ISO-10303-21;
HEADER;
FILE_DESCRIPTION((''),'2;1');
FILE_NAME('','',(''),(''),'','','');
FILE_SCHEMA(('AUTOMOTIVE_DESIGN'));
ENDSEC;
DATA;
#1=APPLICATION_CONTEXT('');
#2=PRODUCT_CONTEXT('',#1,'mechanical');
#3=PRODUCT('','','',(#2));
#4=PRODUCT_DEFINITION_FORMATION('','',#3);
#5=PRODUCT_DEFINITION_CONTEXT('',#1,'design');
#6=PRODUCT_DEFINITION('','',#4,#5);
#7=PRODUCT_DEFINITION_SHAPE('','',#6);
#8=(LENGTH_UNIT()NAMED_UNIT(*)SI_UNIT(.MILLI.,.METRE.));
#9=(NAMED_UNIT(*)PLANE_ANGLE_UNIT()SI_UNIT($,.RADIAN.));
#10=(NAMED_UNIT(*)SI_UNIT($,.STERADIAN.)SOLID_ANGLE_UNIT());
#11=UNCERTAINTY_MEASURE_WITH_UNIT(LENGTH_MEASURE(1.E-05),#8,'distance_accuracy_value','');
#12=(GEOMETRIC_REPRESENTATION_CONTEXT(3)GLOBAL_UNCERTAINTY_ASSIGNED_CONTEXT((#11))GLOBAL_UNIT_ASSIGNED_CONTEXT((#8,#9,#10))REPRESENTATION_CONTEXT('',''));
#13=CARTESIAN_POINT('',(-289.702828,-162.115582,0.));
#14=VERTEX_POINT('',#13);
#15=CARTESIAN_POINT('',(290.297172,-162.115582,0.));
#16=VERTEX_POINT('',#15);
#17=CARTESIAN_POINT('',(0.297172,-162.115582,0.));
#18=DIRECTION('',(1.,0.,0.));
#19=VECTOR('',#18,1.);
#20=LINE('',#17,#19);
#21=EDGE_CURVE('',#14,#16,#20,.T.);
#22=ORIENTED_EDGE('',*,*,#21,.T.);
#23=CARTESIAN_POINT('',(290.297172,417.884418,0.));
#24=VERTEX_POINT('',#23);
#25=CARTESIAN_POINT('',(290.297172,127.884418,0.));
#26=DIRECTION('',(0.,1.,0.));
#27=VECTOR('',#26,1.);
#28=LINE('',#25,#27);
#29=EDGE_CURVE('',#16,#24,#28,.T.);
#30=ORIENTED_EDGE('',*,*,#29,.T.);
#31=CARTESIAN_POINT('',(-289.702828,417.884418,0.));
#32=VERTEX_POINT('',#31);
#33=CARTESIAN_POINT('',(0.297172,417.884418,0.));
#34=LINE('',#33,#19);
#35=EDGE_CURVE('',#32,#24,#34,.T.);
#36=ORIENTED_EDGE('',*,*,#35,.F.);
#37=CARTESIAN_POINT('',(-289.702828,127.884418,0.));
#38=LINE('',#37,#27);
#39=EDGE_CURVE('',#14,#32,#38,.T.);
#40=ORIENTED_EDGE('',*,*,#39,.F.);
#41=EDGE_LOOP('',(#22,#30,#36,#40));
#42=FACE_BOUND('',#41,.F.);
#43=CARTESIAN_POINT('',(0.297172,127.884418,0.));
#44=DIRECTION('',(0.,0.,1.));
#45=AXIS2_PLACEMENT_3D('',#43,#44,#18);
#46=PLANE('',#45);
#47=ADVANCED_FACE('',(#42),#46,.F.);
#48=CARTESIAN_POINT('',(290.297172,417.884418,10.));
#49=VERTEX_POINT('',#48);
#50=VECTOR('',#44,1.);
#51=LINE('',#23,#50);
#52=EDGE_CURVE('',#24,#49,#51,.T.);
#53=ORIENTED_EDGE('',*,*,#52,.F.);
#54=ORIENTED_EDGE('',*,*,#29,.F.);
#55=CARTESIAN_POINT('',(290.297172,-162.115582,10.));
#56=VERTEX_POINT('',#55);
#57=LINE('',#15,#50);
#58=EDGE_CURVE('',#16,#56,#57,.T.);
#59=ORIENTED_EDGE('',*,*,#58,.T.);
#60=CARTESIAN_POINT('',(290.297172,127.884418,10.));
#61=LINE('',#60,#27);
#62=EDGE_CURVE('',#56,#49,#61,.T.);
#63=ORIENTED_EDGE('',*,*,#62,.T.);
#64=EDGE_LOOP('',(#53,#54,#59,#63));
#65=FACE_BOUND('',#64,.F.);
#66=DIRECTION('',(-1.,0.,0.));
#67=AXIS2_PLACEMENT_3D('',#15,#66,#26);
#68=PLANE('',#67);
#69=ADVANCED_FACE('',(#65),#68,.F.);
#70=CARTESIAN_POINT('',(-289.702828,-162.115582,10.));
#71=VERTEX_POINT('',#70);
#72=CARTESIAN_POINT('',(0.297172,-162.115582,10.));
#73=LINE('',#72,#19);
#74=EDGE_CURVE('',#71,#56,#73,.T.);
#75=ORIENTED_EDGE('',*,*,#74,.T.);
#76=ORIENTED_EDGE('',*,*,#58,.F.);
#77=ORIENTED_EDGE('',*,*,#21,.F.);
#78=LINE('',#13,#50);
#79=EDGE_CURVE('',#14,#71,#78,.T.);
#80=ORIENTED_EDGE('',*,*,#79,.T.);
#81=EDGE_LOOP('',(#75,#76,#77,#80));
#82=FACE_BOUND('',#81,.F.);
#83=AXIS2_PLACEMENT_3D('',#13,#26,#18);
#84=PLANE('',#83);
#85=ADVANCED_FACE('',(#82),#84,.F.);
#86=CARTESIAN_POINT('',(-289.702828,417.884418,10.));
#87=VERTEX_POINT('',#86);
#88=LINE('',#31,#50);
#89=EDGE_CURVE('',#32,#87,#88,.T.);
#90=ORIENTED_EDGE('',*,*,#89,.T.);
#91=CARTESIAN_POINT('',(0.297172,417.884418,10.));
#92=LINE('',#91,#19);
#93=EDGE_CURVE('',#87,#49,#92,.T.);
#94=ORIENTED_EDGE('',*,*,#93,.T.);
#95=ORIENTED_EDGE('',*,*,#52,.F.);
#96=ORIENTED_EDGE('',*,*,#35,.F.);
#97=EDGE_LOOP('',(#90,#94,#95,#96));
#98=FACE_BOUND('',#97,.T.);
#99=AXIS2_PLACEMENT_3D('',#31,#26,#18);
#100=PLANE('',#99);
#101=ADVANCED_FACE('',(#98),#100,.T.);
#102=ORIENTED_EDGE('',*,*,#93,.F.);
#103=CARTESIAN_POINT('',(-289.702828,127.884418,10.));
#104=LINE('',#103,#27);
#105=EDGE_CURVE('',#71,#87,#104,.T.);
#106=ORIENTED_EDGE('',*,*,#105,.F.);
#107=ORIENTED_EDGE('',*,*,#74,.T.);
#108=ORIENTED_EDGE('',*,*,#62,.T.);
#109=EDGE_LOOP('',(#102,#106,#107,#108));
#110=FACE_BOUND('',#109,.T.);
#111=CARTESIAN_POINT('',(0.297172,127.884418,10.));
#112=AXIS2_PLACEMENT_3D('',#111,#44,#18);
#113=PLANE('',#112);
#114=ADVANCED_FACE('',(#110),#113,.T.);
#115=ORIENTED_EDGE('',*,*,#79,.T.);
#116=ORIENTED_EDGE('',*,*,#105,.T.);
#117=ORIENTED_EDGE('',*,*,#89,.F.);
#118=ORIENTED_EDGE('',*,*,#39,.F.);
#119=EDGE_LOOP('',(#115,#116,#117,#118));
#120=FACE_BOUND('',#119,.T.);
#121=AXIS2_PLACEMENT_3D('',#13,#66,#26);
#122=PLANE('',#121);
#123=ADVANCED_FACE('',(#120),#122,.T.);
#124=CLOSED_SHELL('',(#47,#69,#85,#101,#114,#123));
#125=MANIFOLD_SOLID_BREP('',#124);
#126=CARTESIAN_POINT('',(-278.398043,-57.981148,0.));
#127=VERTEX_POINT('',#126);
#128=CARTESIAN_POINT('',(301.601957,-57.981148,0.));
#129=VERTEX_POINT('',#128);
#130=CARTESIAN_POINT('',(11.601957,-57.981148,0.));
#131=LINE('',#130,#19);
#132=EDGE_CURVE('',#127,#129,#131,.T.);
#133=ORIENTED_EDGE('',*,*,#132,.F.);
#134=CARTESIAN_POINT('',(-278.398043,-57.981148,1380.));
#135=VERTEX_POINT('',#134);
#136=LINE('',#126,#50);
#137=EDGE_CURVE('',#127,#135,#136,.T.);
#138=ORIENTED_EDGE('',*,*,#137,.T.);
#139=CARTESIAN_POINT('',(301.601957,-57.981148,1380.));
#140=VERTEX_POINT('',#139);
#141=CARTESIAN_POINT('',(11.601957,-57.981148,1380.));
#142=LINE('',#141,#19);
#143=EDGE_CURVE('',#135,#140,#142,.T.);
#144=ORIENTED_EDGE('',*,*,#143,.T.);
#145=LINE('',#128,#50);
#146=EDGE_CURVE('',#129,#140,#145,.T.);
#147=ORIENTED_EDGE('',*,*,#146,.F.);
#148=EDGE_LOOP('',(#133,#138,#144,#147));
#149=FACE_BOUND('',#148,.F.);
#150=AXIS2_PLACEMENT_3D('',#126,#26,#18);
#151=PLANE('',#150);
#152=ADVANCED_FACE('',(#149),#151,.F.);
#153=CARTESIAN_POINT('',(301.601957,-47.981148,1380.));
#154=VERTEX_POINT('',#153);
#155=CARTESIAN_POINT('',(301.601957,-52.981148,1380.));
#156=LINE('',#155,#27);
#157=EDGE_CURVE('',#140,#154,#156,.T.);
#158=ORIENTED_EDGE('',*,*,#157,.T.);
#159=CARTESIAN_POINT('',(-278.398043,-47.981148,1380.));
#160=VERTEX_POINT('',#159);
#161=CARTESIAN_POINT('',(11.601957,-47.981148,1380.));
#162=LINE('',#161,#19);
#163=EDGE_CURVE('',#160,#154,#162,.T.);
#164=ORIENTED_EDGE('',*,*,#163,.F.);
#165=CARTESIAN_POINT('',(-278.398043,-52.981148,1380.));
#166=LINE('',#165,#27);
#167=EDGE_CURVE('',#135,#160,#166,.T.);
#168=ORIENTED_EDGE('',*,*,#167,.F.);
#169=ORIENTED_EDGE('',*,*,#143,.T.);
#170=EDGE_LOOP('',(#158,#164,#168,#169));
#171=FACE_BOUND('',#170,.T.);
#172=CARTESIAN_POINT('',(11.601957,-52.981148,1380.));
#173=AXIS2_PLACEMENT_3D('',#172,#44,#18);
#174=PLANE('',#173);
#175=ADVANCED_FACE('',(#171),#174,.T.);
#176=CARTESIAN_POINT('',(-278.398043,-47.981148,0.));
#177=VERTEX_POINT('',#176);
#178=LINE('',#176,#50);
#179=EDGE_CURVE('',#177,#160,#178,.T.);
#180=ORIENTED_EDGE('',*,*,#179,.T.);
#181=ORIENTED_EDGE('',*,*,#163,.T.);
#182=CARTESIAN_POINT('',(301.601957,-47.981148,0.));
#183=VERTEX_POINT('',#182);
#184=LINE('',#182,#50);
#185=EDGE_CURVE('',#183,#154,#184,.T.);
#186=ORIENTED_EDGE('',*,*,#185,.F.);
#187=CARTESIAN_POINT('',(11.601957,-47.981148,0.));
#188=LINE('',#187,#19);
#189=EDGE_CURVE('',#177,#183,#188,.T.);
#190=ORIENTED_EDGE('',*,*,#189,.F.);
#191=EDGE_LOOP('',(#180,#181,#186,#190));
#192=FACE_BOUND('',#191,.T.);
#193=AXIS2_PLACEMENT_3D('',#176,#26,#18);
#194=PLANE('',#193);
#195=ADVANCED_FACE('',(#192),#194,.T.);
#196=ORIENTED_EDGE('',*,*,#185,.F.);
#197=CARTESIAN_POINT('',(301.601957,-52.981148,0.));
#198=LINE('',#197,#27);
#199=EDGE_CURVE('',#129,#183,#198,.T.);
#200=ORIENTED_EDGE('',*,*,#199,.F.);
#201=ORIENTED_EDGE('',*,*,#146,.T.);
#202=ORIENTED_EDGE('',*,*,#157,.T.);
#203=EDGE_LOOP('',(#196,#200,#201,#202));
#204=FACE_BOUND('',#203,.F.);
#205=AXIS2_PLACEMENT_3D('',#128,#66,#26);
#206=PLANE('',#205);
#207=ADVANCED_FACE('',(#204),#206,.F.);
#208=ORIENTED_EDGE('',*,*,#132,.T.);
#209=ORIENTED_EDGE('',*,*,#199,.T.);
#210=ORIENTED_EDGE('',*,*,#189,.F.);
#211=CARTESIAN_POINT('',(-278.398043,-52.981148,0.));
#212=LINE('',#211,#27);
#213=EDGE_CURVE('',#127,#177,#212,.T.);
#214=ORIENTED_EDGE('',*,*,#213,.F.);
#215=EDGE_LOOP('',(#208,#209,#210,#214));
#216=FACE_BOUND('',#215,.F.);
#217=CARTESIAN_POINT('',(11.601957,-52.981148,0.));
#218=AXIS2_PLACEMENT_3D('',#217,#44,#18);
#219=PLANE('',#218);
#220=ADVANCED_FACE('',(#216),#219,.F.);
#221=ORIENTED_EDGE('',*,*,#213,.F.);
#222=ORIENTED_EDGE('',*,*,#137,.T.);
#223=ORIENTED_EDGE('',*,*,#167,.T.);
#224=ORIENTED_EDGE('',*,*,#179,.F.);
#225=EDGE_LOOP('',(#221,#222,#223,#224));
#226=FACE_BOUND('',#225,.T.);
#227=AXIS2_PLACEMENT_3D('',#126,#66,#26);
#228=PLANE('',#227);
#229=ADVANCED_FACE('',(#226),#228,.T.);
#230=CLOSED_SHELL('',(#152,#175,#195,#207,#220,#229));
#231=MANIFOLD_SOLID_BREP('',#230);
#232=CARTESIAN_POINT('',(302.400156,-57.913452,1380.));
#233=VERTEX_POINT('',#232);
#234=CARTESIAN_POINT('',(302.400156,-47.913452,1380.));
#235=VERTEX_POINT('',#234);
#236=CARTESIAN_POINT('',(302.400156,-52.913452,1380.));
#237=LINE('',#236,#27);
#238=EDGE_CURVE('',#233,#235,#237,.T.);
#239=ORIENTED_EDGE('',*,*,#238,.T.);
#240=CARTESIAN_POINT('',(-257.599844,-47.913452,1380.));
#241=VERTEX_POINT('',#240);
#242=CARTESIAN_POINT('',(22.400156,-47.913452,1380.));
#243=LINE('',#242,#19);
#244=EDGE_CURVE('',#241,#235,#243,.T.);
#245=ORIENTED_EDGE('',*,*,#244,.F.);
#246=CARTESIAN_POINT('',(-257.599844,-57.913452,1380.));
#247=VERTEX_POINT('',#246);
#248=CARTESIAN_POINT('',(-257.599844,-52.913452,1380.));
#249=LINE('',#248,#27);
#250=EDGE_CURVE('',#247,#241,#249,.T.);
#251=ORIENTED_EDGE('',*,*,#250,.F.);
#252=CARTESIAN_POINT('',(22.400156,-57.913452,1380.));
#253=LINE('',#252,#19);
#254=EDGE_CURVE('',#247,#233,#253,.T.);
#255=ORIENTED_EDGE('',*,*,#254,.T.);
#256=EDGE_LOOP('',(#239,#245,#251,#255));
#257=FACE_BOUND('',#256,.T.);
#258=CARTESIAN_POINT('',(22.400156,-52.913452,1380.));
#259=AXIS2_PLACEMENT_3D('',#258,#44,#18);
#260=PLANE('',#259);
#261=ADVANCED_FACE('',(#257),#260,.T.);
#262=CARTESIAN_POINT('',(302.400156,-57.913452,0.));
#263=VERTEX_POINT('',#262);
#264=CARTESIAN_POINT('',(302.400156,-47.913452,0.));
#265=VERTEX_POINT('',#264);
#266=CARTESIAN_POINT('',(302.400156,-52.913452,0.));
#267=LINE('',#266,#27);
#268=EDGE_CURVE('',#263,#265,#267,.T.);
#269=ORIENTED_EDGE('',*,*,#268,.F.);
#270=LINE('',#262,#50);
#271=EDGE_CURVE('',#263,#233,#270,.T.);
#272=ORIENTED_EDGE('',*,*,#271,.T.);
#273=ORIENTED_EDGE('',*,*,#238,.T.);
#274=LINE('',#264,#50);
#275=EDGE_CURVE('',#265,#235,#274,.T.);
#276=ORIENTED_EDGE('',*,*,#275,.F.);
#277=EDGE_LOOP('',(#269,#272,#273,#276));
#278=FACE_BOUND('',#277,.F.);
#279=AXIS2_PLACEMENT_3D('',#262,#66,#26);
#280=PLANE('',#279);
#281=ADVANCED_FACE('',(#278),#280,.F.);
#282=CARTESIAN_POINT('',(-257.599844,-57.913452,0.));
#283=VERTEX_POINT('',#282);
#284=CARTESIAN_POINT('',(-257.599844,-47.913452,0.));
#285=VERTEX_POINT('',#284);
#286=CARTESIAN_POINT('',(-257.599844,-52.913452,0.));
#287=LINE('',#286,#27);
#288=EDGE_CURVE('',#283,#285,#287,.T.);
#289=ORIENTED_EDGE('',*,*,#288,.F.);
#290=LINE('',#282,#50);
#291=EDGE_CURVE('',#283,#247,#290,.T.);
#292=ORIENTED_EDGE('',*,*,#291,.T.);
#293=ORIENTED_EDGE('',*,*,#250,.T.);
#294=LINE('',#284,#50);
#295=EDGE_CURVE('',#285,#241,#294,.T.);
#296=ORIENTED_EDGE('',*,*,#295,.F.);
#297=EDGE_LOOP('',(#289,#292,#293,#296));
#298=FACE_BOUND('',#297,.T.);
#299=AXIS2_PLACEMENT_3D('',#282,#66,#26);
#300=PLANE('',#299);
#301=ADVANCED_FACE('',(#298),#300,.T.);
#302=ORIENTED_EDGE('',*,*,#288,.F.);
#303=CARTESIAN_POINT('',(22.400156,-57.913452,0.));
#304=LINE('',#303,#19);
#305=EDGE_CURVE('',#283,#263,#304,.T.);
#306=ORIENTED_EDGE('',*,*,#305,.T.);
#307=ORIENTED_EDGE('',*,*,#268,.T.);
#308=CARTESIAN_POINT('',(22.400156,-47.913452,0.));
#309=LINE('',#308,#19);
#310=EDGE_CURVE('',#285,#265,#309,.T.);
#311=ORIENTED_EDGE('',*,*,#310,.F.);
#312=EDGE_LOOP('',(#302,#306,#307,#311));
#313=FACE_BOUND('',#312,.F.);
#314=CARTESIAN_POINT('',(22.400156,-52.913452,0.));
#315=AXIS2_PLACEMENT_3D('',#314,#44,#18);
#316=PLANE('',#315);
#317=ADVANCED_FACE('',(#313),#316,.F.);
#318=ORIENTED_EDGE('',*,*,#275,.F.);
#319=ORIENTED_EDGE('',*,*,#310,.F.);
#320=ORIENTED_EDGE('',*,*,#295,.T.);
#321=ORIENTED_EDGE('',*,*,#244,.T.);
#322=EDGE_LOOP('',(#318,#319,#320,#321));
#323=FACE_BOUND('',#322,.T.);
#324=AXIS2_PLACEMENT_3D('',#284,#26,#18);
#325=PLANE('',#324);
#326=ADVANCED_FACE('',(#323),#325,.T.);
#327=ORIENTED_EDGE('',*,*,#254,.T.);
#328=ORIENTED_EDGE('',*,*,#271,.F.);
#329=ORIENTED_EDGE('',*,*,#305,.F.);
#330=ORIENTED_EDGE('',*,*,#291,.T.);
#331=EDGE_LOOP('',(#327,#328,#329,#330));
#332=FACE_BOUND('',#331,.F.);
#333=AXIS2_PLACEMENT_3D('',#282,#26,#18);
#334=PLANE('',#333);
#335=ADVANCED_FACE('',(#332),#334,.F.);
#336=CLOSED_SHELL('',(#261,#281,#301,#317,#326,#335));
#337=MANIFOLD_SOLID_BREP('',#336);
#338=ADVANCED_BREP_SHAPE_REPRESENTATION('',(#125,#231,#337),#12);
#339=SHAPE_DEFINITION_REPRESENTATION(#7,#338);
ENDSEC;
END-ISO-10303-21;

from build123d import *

# Parameters (mm, degrees)
F0_W     = 580
F0_H     = 10
F2_DEPTH = 1380
F1_W     = 560
F1_H     = 10
F3_DEPTH = 1380
F4_W     = 580
F4_H     = 580
F5_DEPTH = 10


with BuildPart() as f2:
    # F0 (on Top) → F2 (new body)
    with BuildSketch(Plane.XY):
        with Locations((11.601957, -52.981148)):
            Rectangle(F0_W, F0_H)
    extrude(amount=F2_DEPTH)


with BuildPart() as f3:
    # F1 (on Top) → F3 (new body)
    with BuildSketch(Plane.XY):
        with Locations((22.400156, -52.913452)):
            Rectangle(F1_W, F1_H)
    extrude(amount=F3_DEPTH)


with BuildPart() as f5:
    # F4 (on Top) → F5 (new body)
    with BuildSketch(Plane.XY):
        with Locations((0.297172, 127.884418)):
            Rectangle(F4_W, F4_H)
    extrude(amount=F5_DEPTH)


solid = Compound([f2.part, f3.part, f5.part])
